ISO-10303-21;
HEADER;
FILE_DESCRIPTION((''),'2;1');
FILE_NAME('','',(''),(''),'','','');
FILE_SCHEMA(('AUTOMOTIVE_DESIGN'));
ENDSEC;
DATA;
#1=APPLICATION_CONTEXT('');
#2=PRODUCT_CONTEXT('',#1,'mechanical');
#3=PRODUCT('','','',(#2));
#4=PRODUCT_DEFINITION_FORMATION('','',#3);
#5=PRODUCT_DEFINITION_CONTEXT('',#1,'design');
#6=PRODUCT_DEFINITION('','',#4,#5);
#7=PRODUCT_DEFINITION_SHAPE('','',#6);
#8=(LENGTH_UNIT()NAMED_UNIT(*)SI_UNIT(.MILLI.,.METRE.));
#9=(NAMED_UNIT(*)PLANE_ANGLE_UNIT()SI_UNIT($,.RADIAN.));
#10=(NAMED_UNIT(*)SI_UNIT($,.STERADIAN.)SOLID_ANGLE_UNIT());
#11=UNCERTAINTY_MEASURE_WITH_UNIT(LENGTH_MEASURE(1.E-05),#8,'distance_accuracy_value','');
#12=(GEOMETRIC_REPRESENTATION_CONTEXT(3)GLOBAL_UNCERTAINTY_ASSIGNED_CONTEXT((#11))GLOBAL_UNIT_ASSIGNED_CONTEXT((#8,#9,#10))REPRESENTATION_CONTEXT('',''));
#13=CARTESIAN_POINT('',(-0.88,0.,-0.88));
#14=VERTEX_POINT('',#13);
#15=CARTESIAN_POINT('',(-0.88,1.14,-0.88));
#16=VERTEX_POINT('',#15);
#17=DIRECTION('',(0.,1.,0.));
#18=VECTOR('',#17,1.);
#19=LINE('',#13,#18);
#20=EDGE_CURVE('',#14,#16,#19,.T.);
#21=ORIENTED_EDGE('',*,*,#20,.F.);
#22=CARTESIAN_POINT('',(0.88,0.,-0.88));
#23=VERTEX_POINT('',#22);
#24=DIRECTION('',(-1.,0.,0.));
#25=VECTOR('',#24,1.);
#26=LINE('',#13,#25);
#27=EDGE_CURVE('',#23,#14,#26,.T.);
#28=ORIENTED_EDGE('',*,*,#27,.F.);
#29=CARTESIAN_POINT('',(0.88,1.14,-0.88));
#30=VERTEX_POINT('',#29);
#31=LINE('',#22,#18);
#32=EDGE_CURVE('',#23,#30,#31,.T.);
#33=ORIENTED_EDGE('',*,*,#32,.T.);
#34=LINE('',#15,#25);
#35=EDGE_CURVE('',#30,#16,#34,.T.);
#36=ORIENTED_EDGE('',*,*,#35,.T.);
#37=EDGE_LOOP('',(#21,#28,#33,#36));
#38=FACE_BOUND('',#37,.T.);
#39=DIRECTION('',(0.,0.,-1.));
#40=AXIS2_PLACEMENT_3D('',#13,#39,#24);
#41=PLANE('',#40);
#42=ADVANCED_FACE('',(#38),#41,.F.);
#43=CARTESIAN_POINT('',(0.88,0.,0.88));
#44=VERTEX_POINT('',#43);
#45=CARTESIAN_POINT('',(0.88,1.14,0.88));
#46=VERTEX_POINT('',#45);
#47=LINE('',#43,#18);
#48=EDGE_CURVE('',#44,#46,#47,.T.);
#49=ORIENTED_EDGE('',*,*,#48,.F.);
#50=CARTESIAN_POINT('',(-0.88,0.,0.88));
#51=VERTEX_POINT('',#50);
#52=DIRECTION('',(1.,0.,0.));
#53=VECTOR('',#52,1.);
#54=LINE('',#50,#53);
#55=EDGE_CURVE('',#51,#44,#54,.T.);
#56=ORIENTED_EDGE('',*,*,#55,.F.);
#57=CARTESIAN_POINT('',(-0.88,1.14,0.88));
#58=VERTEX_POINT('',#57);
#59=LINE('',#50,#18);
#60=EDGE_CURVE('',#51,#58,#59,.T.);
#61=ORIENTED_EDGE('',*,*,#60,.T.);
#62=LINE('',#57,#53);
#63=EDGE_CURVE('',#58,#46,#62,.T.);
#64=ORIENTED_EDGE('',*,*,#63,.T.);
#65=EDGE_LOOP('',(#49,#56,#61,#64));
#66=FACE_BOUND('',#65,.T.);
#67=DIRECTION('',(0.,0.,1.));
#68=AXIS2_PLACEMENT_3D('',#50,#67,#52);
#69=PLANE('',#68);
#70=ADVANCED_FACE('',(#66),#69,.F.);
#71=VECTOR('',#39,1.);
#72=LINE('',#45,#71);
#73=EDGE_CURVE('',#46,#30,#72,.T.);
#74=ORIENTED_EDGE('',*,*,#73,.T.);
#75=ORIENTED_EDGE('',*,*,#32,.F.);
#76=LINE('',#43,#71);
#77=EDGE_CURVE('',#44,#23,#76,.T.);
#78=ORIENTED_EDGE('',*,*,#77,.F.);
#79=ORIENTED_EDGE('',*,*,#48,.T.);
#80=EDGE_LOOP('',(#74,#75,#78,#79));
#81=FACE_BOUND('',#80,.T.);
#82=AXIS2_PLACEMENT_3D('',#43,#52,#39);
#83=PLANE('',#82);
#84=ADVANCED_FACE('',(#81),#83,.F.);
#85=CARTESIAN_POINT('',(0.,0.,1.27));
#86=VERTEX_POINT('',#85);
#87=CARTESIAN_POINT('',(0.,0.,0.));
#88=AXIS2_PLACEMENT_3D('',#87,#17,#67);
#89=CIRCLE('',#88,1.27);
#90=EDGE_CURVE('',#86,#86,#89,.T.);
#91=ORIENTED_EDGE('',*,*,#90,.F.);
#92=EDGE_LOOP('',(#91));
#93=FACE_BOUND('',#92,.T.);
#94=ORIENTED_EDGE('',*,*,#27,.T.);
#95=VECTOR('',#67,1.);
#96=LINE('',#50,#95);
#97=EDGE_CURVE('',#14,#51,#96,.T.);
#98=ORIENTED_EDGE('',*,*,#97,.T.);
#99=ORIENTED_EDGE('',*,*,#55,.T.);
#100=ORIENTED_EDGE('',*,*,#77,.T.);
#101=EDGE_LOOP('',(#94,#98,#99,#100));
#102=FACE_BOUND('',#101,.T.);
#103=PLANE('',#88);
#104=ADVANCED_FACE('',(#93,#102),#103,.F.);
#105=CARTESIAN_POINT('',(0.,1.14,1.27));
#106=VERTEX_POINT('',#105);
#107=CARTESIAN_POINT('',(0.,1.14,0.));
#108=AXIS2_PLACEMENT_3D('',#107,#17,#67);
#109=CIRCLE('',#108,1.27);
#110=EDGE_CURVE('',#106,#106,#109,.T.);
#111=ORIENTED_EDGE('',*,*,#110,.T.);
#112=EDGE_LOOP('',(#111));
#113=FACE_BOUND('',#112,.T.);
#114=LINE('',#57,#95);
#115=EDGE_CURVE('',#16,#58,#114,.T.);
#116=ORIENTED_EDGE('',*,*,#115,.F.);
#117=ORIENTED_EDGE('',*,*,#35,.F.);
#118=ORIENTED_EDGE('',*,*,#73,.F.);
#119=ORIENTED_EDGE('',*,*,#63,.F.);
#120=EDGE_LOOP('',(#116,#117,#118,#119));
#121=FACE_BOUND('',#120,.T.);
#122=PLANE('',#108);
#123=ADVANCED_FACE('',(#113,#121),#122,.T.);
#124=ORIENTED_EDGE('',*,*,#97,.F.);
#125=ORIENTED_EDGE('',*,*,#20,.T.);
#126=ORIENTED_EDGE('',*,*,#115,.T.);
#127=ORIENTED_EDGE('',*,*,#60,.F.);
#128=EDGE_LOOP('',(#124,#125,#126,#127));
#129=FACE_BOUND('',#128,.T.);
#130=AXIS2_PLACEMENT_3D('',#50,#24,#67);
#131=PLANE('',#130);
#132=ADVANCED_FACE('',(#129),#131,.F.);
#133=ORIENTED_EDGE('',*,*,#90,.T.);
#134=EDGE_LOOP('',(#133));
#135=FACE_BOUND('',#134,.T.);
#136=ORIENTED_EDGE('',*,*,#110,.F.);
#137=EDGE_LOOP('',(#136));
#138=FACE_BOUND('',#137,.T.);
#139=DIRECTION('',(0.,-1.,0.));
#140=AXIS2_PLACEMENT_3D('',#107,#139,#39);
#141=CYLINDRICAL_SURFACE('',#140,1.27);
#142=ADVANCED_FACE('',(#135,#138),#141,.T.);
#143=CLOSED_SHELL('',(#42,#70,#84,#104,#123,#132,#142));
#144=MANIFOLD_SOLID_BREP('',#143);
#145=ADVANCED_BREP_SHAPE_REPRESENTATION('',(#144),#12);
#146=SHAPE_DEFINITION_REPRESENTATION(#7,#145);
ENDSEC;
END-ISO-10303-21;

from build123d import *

# Parameters (mm, degrees)
SKETCH1_R           = 1.27
BOSS_EXTRUDE1_DEPTH = 1.14
SKETCH2_W           = 1.76
SKETCH2_H           = 1.76
CUT_EXTRUDE2_DEPTH  = 1.14


with BuildPart() as part:
    # Sketch1 → Boss-Extrude1 (new body)
    with BuildSketch(Plane(origin=(0, 0, 0), x_dir=(1, 0, 0), z_dir=(0, 1, 0))):
        Circle(SKETCH1_R)
    extrude(amount=BOSS_EXTRUDE1_DEPTH)

    # Sketch2 → Cut-Extrude2 (cut)
    with BuildSketch(Plane(origin=(0, 1.14, 0), x_dir=(1, 0, 0), z_dir=(0, 1, 0))):
        Rectangle(SKETCH2_W, SKETCH2_H)
    extrude(amount=-CUT_EXTRUDE2_DEPTH, mode=Mode.SUBTRACT)


solid = part.part
